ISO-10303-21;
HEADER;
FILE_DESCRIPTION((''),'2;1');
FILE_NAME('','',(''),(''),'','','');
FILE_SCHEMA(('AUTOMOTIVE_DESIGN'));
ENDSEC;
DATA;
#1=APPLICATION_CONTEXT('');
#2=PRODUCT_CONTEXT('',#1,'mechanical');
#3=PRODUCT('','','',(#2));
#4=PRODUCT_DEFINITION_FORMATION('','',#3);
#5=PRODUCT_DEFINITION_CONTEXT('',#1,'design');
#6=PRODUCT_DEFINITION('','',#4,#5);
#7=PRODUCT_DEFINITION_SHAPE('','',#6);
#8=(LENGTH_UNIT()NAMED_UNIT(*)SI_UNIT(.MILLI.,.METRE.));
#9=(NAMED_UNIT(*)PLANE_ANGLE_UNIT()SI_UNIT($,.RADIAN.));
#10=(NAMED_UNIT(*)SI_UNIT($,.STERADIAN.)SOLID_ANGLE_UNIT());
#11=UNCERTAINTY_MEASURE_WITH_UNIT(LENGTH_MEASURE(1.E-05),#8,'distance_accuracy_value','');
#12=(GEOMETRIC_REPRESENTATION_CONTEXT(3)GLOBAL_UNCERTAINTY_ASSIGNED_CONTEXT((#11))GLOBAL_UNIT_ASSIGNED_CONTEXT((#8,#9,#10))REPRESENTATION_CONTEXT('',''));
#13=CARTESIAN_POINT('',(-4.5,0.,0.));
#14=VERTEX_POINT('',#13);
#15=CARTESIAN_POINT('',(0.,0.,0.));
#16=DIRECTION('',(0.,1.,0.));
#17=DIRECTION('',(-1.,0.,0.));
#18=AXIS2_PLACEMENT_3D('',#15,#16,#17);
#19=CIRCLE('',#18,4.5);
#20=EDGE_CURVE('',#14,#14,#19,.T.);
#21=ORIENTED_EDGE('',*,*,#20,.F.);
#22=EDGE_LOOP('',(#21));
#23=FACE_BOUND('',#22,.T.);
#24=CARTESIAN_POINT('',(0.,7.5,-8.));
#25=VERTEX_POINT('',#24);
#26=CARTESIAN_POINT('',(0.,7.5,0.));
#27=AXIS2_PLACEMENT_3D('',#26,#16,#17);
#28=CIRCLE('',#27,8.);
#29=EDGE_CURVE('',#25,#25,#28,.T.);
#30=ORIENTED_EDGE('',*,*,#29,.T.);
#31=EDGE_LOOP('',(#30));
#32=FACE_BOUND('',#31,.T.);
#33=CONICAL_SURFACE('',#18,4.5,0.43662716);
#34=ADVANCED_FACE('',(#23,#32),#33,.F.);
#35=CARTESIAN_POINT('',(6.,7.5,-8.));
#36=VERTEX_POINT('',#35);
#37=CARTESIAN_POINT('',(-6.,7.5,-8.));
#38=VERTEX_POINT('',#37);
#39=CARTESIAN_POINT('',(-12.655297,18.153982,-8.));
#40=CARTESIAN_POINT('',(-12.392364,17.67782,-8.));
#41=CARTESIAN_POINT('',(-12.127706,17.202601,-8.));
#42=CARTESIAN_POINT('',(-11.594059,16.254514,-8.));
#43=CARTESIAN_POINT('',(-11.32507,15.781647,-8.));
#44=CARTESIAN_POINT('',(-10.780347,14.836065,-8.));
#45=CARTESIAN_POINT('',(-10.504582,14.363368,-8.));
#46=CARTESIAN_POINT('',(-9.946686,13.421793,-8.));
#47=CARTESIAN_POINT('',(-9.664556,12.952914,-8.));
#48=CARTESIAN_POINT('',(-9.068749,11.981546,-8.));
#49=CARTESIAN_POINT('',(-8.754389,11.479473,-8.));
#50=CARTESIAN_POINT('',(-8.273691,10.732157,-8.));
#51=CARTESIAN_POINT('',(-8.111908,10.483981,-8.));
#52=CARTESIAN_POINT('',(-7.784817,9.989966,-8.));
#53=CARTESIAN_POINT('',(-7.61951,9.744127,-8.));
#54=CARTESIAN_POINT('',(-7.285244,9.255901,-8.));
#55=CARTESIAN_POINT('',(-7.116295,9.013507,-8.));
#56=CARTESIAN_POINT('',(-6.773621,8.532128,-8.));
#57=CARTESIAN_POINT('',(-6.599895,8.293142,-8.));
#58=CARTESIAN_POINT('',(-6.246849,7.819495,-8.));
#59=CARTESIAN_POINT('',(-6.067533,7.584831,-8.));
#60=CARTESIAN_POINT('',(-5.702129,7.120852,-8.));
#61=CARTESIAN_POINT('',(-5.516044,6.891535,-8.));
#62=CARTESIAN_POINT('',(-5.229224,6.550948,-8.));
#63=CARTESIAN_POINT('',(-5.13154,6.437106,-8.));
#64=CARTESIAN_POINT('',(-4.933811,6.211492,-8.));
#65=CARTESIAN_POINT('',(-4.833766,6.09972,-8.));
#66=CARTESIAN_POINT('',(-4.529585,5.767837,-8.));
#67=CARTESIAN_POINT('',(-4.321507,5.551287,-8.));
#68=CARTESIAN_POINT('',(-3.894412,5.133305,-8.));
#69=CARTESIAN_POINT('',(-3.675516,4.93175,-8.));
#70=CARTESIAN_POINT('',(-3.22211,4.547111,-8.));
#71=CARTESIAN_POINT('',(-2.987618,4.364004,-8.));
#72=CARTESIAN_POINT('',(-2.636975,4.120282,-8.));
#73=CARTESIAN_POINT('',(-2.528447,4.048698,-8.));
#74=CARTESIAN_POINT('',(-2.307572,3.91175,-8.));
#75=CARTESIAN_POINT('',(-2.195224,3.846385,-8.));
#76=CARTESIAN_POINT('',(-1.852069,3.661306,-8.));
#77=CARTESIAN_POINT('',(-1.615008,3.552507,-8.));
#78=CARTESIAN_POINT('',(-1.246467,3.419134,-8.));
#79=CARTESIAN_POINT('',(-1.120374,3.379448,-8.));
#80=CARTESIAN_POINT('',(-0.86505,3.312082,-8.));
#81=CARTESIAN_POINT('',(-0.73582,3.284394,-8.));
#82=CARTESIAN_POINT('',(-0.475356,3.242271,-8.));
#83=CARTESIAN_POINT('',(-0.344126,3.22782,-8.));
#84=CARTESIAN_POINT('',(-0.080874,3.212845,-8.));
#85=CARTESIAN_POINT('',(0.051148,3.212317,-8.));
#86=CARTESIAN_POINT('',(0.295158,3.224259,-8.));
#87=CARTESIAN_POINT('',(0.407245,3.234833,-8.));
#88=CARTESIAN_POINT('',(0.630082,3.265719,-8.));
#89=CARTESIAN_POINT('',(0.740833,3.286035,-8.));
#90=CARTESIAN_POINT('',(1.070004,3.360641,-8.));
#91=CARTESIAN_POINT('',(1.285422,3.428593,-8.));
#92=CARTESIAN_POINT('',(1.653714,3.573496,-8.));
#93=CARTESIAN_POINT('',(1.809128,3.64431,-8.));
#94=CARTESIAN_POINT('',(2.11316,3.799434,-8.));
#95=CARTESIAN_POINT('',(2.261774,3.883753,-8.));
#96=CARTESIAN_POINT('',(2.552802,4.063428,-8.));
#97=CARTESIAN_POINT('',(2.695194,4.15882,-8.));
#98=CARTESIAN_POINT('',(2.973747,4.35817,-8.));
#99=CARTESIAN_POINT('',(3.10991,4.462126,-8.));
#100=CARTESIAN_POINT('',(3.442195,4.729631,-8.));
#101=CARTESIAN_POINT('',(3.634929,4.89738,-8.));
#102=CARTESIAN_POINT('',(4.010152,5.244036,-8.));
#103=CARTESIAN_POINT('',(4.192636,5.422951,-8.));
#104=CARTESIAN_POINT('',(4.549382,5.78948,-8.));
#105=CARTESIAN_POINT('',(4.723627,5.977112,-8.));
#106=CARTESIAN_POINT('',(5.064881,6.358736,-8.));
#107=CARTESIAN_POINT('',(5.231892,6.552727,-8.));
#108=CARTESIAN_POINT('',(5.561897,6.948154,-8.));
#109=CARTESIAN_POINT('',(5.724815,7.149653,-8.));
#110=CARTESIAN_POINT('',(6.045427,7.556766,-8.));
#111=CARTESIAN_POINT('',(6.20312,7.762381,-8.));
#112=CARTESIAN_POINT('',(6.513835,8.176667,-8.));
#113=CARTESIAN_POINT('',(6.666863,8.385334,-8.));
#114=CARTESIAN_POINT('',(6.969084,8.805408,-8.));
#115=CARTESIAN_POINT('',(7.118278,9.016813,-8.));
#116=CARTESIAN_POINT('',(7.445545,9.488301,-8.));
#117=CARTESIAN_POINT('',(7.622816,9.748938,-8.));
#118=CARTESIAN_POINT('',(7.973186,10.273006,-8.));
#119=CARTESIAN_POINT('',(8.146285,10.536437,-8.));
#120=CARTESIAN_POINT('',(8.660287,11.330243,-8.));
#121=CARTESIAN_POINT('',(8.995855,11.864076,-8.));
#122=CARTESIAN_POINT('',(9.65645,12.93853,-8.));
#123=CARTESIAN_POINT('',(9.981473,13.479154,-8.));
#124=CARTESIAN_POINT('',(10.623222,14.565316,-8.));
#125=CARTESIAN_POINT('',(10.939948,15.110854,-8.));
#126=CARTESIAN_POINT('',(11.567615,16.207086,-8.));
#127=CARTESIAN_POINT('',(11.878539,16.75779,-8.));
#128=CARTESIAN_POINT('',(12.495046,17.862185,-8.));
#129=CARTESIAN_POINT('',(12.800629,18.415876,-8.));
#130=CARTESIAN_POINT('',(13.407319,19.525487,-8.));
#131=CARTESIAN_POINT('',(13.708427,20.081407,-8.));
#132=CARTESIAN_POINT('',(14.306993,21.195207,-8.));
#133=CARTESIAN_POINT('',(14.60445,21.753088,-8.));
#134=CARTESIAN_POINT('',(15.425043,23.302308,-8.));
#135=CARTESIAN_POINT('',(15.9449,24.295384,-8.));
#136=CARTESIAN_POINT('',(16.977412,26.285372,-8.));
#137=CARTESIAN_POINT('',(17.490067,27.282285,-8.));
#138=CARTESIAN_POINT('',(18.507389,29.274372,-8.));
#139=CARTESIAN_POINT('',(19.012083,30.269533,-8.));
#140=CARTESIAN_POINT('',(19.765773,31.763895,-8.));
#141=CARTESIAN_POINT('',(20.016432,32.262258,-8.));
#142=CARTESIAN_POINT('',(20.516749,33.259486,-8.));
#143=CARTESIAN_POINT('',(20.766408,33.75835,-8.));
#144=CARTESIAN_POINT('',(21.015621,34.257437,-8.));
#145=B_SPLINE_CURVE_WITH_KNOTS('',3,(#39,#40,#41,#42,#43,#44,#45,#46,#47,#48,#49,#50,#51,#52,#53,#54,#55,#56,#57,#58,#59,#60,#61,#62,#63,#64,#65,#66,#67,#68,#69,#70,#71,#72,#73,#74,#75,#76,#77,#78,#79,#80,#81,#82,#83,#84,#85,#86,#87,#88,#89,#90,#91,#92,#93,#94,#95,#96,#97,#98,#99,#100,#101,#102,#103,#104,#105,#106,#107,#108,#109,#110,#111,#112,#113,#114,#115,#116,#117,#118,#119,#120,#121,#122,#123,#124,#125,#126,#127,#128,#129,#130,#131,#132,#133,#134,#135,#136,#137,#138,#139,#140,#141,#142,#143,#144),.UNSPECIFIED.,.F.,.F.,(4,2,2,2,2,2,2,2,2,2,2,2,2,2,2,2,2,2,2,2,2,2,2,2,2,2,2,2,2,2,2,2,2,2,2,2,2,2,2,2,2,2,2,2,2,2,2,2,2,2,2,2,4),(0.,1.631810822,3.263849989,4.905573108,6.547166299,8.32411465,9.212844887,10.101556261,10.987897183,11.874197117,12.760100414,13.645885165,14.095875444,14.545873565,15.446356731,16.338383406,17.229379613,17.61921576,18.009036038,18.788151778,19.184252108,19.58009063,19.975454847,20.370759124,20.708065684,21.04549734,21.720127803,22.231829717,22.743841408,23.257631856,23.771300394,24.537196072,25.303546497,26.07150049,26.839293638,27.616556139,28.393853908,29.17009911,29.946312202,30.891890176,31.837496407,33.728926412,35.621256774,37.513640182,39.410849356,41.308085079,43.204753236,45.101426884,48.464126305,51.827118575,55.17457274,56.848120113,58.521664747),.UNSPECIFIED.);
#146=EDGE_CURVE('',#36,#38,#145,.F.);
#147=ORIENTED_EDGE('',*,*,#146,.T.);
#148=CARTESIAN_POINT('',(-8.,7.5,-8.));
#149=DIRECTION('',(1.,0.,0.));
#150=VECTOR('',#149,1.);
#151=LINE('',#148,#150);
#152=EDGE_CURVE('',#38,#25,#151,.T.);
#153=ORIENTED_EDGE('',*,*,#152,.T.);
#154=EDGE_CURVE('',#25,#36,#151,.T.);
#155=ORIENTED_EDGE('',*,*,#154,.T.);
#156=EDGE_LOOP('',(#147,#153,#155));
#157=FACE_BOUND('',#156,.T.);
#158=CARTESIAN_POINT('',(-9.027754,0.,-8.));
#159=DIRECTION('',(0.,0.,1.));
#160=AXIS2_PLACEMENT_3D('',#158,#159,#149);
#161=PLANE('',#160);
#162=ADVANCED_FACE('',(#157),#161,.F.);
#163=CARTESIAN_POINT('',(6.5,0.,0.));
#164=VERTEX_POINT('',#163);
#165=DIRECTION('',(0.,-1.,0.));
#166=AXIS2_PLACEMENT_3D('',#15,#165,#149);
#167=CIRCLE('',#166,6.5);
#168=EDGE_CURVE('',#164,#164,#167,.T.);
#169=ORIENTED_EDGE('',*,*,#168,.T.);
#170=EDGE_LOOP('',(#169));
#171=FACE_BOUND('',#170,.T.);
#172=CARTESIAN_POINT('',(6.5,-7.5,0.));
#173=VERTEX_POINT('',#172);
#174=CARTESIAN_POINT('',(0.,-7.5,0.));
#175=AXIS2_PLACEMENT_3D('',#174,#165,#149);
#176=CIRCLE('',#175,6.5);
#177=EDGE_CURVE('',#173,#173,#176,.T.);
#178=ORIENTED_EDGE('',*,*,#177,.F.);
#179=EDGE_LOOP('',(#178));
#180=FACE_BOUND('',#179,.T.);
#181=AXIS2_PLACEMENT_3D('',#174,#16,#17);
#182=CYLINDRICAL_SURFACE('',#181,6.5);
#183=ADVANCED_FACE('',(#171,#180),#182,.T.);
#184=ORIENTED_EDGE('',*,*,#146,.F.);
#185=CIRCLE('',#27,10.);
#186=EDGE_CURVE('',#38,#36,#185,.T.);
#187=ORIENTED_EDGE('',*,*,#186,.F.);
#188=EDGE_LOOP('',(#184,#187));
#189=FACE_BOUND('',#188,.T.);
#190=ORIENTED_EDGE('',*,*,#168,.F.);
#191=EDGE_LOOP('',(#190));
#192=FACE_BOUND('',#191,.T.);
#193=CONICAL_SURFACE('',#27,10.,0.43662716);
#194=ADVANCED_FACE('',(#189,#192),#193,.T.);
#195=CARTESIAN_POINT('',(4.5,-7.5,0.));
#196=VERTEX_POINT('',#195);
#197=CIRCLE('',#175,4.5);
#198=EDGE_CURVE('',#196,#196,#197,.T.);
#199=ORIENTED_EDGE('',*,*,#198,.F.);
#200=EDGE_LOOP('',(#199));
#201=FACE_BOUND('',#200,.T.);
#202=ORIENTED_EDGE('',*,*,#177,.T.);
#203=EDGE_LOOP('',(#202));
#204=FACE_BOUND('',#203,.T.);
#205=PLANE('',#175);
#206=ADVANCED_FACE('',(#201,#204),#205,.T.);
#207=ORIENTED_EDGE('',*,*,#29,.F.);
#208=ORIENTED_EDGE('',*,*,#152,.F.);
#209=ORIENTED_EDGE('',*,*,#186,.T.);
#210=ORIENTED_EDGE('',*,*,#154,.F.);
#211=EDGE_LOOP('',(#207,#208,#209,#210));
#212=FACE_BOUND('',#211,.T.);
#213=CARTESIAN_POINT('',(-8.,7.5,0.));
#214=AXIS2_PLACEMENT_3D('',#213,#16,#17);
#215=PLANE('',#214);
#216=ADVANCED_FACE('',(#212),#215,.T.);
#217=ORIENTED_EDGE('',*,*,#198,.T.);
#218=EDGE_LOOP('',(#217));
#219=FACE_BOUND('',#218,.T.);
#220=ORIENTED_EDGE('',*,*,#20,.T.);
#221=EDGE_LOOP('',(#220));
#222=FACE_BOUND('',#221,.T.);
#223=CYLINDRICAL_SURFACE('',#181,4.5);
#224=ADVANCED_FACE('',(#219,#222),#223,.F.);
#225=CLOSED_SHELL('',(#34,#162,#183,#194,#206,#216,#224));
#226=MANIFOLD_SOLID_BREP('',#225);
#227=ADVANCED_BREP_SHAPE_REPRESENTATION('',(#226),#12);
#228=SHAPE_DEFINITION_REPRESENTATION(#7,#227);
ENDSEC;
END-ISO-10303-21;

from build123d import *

# Parameters (mm, degrees)
CROQUIS3_R              = 6.5
CROQUIS3_R_2            = 4.5
SALIENTE_EXTRUIR1_DEPTH = 7.5
CORTAR_EXTRUIR1_DEPTH   = 7.5


with BuildPart() as part:
    # Croquis2 → Revolución1 (revolve)
    with BuildSketch(Plane.XY):
        Polygon((-4.5, 0), (-8, 7.5), (-10, 7.5), (-6.5, 0), align=None)
    revolve(axis=Axis((0, 7.5, 0), (0, -1, 0)))

    # Croquis3 → Saliente-Extruir1 (add)
    with BuildSketch(Plane.XZ):
        Circle(CROQUIS3_R)
        Circle(CROQUIS3_R_2, mode=Mode.SUBTRACT)
    extrude(amount=SALIENTE_EXTRUIR1_DEPTH)

    # Croquis4 → Cortar-Extruir1 (cut)
    with BuildSketch(Plane(origin=(0, 7.5, 0), x_dir=(1, 0, 0), z_dir=(0, 1, 0))):
        Polygon((-9.027753826, 8), (9.027753826, 8), (9.027753826, 15.356589522), (-9.467057566, 15.356589522), align=None)
    extrude(amount=-CORTAR_EXTRUIR1_DEPTH, mode=Mode.SUBTRACT)


solid = part.part
